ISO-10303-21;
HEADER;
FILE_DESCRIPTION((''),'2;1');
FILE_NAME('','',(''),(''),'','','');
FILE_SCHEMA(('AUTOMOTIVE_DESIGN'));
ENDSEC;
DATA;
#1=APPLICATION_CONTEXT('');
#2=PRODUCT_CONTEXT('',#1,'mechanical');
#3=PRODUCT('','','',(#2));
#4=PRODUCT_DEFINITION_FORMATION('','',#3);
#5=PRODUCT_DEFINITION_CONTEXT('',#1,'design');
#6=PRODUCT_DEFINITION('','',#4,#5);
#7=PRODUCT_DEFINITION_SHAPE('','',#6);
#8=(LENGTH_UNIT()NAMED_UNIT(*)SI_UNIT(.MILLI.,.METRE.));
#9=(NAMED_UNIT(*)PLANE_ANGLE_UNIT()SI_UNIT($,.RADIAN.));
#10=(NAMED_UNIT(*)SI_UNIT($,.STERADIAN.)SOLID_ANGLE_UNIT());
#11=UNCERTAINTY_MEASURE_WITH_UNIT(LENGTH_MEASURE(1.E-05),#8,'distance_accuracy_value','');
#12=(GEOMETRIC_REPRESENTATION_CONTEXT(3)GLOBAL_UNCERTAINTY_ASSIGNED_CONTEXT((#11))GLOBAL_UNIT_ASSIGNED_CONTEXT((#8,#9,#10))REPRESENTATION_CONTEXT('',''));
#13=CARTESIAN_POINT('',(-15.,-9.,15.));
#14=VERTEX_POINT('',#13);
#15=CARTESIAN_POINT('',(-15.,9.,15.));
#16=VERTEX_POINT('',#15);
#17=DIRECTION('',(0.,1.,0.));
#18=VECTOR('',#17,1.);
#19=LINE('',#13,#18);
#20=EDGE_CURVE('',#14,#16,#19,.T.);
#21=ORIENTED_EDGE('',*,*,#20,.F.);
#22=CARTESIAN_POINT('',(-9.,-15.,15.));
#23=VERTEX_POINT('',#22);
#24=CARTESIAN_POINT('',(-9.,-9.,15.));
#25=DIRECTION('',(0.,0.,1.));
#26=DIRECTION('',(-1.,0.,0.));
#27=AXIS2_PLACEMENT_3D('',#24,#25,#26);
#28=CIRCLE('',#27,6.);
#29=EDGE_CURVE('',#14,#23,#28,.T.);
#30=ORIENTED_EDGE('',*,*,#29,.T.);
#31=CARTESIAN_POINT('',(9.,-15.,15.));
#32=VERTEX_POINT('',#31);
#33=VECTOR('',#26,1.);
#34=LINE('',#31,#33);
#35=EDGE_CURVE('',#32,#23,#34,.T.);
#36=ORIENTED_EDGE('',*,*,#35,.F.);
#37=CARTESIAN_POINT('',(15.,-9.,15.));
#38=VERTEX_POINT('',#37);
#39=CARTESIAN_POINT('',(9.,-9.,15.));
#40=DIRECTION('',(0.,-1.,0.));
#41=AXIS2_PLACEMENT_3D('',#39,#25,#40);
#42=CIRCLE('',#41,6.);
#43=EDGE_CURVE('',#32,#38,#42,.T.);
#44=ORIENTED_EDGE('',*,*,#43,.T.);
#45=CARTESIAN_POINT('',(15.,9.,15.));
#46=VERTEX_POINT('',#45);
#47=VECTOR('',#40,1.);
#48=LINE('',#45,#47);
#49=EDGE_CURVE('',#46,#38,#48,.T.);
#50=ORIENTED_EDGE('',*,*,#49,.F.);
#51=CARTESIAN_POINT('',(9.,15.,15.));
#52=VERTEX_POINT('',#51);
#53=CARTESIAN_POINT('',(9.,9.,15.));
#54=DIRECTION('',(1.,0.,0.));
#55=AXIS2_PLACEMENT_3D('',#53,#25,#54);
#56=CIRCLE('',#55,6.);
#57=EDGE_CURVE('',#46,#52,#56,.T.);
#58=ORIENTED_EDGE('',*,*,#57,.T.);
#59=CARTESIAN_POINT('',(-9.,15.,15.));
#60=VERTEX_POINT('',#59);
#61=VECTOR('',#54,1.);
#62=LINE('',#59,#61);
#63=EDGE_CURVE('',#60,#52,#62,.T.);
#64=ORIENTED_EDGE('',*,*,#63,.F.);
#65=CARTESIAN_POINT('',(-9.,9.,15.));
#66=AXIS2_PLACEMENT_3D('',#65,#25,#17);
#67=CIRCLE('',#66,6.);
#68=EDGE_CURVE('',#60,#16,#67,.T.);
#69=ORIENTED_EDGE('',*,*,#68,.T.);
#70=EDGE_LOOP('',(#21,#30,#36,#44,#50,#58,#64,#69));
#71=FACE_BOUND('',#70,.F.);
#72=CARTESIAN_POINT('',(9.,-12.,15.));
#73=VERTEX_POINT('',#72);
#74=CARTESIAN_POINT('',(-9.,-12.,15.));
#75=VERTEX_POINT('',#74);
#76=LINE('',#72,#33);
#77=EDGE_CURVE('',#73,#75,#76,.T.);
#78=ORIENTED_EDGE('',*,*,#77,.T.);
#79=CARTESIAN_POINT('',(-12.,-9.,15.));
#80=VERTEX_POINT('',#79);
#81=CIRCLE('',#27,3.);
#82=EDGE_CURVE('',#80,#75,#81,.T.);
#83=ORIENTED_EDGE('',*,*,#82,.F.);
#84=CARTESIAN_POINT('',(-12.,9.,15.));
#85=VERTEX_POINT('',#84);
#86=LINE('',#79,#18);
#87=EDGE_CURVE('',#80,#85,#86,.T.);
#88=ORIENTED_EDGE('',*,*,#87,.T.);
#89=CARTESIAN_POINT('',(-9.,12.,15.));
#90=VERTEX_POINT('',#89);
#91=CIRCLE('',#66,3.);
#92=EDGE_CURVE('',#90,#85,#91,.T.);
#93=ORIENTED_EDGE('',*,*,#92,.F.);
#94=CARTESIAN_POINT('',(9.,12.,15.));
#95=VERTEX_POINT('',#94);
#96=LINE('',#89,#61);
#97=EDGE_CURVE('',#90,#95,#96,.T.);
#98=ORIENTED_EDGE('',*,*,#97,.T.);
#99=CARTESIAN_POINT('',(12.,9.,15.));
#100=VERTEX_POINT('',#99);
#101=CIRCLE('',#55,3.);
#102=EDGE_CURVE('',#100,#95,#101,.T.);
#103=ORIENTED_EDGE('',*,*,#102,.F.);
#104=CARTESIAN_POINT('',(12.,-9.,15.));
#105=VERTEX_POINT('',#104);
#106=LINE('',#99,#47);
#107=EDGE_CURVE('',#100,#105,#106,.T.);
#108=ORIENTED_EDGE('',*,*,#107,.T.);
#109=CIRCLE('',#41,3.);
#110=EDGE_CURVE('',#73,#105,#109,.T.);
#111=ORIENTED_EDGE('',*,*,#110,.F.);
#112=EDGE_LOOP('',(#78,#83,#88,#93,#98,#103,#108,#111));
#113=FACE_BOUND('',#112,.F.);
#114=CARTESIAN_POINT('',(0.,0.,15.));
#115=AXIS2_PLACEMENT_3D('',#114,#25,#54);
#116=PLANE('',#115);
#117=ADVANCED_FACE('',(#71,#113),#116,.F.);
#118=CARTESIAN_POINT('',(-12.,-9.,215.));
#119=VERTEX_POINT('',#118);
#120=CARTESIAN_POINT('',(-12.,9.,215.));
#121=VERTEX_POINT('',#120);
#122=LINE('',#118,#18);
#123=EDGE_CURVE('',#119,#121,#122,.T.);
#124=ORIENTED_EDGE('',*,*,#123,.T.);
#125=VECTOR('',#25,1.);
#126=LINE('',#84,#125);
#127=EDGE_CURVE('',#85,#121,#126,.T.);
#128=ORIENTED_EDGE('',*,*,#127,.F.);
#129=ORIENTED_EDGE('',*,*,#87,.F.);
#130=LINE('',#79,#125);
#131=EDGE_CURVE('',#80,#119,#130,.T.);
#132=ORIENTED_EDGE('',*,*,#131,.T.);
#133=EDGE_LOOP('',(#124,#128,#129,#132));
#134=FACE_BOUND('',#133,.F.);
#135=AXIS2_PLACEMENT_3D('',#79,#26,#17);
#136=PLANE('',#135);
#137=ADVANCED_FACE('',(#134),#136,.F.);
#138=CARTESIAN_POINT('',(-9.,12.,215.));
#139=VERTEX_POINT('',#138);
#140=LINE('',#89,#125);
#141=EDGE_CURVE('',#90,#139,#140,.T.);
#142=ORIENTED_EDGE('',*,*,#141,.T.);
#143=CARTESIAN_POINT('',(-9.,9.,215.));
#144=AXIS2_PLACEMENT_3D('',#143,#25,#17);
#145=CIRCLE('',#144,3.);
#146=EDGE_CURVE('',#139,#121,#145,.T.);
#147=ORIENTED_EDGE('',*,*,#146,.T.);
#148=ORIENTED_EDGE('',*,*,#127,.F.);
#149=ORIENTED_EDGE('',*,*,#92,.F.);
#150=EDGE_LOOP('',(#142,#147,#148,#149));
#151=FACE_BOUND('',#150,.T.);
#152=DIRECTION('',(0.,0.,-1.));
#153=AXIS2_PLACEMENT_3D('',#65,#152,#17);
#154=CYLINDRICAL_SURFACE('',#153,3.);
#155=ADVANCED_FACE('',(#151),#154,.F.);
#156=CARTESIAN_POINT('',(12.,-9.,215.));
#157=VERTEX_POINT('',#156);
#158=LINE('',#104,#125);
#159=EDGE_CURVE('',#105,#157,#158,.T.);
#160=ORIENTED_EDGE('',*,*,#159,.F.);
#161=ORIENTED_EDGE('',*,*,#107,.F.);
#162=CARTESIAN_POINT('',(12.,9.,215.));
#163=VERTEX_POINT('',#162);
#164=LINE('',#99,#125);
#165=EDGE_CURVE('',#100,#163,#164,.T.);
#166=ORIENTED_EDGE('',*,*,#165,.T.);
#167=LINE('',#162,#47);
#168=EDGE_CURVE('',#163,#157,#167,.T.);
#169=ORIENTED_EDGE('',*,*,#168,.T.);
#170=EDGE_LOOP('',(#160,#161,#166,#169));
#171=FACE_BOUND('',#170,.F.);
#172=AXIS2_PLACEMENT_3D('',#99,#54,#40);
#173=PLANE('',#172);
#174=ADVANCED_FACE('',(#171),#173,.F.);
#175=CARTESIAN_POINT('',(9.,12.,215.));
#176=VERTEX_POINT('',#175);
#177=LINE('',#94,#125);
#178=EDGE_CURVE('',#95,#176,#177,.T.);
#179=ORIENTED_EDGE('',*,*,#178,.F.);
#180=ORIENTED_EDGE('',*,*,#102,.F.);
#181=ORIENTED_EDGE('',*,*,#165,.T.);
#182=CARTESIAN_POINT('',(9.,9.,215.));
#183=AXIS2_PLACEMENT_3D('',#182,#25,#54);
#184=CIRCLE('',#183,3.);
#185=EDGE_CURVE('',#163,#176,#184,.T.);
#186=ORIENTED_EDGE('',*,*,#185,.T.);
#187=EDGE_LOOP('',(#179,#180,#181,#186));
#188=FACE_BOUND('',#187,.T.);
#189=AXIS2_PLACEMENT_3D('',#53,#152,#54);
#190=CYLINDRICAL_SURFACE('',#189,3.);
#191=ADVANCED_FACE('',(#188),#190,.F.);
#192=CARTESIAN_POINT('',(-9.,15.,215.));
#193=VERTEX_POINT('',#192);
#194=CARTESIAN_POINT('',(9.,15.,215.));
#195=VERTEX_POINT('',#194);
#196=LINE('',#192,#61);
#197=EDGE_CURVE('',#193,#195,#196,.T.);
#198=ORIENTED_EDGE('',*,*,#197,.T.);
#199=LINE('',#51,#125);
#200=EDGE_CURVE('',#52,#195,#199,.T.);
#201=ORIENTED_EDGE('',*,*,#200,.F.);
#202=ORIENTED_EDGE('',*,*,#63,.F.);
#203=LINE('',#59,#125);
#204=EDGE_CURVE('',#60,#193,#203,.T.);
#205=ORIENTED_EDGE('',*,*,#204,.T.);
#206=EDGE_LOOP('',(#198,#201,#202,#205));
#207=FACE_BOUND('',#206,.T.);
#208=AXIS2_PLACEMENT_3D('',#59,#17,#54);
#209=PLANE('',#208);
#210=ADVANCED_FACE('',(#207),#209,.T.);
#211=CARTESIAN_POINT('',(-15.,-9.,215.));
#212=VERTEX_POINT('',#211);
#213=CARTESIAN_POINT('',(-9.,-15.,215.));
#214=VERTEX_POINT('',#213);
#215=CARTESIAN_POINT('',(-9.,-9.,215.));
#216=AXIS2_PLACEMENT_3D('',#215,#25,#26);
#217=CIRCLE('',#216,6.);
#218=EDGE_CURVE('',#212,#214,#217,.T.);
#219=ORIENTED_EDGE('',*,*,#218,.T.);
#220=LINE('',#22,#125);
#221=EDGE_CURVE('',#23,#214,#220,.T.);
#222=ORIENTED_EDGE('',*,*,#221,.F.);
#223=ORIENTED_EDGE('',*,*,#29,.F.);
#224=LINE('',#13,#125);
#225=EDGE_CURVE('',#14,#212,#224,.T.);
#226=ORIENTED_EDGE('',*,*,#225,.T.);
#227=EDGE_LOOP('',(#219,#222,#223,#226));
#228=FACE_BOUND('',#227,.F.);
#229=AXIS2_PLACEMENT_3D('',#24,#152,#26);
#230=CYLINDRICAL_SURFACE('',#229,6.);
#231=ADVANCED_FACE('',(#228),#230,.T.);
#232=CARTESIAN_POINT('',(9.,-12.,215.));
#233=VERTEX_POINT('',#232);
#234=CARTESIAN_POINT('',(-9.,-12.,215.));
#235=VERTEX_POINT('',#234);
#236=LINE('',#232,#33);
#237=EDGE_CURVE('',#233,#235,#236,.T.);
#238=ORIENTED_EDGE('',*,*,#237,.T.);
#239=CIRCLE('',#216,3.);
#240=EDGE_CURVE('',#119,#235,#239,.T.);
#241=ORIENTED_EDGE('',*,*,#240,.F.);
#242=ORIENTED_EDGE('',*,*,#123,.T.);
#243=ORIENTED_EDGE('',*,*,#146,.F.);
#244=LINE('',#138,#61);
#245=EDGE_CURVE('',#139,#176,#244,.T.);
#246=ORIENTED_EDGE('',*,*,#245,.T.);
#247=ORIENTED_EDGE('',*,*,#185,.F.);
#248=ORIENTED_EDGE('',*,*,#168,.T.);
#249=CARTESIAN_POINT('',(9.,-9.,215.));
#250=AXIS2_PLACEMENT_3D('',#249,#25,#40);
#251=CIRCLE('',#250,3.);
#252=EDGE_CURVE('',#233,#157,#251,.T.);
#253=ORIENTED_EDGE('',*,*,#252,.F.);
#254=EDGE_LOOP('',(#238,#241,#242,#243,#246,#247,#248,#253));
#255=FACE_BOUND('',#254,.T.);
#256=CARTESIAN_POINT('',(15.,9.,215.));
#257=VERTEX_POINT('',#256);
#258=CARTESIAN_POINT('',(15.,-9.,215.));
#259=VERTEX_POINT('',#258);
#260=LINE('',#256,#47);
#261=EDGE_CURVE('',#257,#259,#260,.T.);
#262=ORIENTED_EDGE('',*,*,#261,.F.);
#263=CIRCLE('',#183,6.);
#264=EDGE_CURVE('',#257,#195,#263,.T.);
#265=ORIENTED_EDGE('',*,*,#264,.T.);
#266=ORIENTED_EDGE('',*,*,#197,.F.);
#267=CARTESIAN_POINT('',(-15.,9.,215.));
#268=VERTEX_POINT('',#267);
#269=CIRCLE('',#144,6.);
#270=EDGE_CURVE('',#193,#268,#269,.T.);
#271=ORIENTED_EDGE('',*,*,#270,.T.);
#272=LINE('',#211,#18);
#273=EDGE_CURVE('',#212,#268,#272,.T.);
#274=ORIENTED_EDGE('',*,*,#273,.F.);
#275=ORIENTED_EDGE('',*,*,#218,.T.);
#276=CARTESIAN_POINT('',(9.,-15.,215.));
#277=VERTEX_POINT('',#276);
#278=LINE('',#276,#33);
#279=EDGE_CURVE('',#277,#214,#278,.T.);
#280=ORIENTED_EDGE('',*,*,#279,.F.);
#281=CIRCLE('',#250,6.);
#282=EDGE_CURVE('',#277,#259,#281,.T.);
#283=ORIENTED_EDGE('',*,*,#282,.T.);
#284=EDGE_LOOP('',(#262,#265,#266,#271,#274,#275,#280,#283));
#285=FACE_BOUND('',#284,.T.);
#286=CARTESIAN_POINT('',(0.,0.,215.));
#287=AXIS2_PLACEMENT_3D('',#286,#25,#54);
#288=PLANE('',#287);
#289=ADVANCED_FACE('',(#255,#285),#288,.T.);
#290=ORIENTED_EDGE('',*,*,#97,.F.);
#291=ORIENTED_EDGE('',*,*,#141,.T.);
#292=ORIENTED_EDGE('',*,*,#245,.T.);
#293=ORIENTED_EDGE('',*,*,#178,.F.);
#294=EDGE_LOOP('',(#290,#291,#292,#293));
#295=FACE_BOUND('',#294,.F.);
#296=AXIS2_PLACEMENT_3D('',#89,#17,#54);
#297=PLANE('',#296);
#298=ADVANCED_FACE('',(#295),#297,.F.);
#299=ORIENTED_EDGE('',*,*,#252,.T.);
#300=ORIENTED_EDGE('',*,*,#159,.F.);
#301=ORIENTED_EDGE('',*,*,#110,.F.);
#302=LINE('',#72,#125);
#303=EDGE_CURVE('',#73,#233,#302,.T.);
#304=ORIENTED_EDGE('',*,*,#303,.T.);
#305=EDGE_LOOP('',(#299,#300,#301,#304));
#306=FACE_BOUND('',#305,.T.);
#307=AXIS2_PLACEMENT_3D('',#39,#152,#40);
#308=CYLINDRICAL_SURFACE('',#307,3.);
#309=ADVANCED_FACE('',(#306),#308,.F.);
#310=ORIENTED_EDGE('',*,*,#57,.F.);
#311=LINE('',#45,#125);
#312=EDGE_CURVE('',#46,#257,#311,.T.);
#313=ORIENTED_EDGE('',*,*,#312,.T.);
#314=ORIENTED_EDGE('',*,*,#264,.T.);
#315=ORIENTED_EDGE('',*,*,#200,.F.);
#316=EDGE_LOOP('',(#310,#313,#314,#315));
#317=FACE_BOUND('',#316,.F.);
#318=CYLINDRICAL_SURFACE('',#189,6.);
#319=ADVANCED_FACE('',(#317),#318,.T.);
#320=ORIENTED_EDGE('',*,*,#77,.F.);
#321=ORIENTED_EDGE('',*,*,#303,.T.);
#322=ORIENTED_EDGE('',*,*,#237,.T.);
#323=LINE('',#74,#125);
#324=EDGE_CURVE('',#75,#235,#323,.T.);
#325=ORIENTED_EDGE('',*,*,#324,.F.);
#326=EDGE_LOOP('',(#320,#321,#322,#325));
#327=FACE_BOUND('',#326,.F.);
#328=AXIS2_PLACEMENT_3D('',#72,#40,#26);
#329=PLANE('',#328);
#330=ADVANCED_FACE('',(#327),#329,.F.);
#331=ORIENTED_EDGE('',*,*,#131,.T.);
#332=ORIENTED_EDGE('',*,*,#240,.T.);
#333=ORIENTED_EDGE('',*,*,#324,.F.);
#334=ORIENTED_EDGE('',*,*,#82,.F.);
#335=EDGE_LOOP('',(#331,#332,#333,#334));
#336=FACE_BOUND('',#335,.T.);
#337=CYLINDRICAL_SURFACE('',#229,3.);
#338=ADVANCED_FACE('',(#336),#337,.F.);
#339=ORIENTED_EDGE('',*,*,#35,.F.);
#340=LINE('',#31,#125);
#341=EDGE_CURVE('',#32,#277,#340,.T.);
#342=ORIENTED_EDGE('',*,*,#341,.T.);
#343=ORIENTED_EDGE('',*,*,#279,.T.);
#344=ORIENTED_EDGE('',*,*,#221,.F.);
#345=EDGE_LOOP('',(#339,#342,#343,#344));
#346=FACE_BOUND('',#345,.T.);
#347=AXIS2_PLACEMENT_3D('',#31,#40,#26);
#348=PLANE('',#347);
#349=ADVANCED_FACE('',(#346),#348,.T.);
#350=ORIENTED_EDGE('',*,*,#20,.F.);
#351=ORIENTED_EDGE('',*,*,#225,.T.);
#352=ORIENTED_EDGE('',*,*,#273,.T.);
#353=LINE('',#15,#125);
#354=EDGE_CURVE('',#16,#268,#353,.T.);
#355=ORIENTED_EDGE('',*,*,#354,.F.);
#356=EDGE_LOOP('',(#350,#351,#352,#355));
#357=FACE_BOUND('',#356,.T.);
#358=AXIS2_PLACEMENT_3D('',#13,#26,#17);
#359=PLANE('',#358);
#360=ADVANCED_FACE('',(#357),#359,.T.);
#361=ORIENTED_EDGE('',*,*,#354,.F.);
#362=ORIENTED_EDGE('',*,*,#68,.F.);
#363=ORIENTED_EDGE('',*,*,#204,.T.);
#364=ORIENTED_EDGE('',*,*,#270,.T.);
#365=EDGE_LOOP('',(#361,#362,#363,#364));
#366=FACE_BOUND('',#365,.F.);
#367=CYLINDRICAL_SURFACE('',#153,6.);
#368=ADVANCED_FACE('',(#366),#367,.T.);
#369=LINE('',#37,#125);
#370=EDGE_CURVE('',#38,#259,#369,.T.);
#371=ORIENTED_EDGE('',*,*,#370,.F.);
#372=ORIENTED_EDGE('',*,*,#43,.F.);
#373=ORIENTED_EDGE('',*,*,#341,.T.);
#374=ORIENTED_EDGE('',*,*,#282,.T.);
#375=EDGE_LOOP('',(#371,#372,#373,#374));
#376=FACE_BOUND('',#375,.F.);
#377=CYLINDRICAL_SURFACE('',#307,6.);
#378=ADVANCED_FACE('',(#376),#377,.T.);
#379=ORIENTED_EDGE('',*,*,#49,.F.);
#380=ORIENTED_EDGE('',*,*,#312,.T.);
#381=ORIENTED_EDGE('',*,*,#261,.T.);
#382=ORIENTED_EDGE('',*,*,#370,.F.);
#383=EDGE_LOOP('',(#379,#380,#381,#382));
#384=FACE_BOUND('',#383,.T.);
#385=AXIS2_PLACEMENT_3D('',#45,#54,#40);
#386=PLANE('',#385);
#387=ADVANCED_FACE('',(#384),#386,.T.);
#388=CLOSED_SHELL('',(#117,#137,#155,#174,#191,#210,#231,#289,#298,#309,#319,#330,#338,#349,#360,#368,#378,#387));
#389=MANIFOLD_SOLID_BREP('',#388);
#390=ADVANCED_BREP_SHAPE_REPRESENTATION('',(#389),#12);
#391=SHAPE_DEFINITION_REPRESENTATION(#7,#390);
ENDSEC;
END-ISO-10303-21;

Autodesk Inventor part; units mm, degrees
ref_plane "Start Plane" through (0, 0, 15) normal (0, 0, 1) x (1, 0, 0)
ref_plane "End Plane" through (0, 0, 215) normal (0, 0, 1) x (1, 0, 0)
sketch "Sketch" plane through (0, 0, 0) normal (0, 0, 1) x (1, 0, 0)
  line L0 (-15, -9) -> (-15, 9)
  line L1 (-9, 15) -> (9, 15)
  line L2 (15, 9) -> (15, -9)
  line L3 (9, -15) -> (-9, -15)
  arc A0 (-15, -9) -> (-9, -15) centre (-9, -9) ccw
  arc A1 (-9, 15) -> (-15, 9) centre (-9, 9) ccw
  arc A2 (15, 9) -> (9, 15) centre (9, 9) ccw
  arc A3 (9, -15) -> (15, -9) centre (9, -9) ccw
  arc A4 (-9, 12) -> (-12, 9) centre (-9, 9) ccw
  line L4 (-9, 12) -> (9, 12)
  arc A5 (12, 9) -> (9, 12) centre (9, 9) ccw
  line L5 (12, 9) -> (12, -9)
  arc A6 (9, -12) -> (12, -9) centre (9, -9) ccw
  line L6 (9, -12) -> (-9, -12)
  arc A7 (-12, -9) -> (-9, -12) centre (-9, -9) ccw
  line L7 (-12, -9) -> (-12, 9)
  line L8 (0, 22.7397) -> (0, -22.7397) construction
  line L9 (-22.7397, 0) -> (22.7397, 0) construction
  dimension "d7" = 6
  dimension "d10" = 30
  dimension "d11" = 30
  dimension "d12" = 3
  dimension "d15" = 15
  dimension "d16" = 15
extrude "Body" add sketch "Sketch" along normal up to surface (200 mm away) from surface at 15
sketch "Sketch3" plane through (0, 0, 0) normal (0, 0, 1) x (1, 0, 0)
  line L0 (0, 0) -> (10, 0)
ref_plane "Work Plane3" through (0, 0, 0) normal (0, -1, 0) x (1, 0, 0)
ref_plane "Work Plane4" through (-9, -200, 215) normal (0, 0, 1) x (1, 0, 0)
split "Split1" plane through (-9, -200, 215) removes the side toward (0, 0, 1)
ref_plane "Work Plane5" through (9, -200, 15) normal (0, 0, -1) x (-1, 0, 0)
split "Split2" plane through (9, -200, 15) removes the side toward (0, 0, -1)
sketch "Sketch4" plane through (0, 0, 0) normal (0, -1, 0) x (1, 0, 0)
  line L0 (-2, 15) -> (12, 15) projected
  line L1 (-2, 215) -> (12, 215) projected
  dimension "d18" = 200
equation "\"d7\" = G_IR"
equation "\"d10\" = G_H"
equation "\"d11\" = G_W"
equation "\"d12\" = G_T"
equation "\"d15\" = 0.5 * d10"
equation "\"d16\" = 0.5 * d11"
equation "\"d3\" = G_L"
equation "\"G_W\" = 30"
equation "\"G_H\" = 30"
equation "\"G_T\" = 3"
equation "\"G_IR\" = 6"
equation "\"G_L\" = d18"
equation "\"G_OFFSET_START\" = -15"
equation "\"G_OFFSET_END\" = -15"
equation "\"d13\" = -G_OFFSET_START"
equation "\"d14\" = G_OFFSET_END + B_L"
equation "\"B_L\" = 230"
properties part number "DIN EN 10219-2 - 30 x 30 x 3  - 200" material "Steel, Mild"
